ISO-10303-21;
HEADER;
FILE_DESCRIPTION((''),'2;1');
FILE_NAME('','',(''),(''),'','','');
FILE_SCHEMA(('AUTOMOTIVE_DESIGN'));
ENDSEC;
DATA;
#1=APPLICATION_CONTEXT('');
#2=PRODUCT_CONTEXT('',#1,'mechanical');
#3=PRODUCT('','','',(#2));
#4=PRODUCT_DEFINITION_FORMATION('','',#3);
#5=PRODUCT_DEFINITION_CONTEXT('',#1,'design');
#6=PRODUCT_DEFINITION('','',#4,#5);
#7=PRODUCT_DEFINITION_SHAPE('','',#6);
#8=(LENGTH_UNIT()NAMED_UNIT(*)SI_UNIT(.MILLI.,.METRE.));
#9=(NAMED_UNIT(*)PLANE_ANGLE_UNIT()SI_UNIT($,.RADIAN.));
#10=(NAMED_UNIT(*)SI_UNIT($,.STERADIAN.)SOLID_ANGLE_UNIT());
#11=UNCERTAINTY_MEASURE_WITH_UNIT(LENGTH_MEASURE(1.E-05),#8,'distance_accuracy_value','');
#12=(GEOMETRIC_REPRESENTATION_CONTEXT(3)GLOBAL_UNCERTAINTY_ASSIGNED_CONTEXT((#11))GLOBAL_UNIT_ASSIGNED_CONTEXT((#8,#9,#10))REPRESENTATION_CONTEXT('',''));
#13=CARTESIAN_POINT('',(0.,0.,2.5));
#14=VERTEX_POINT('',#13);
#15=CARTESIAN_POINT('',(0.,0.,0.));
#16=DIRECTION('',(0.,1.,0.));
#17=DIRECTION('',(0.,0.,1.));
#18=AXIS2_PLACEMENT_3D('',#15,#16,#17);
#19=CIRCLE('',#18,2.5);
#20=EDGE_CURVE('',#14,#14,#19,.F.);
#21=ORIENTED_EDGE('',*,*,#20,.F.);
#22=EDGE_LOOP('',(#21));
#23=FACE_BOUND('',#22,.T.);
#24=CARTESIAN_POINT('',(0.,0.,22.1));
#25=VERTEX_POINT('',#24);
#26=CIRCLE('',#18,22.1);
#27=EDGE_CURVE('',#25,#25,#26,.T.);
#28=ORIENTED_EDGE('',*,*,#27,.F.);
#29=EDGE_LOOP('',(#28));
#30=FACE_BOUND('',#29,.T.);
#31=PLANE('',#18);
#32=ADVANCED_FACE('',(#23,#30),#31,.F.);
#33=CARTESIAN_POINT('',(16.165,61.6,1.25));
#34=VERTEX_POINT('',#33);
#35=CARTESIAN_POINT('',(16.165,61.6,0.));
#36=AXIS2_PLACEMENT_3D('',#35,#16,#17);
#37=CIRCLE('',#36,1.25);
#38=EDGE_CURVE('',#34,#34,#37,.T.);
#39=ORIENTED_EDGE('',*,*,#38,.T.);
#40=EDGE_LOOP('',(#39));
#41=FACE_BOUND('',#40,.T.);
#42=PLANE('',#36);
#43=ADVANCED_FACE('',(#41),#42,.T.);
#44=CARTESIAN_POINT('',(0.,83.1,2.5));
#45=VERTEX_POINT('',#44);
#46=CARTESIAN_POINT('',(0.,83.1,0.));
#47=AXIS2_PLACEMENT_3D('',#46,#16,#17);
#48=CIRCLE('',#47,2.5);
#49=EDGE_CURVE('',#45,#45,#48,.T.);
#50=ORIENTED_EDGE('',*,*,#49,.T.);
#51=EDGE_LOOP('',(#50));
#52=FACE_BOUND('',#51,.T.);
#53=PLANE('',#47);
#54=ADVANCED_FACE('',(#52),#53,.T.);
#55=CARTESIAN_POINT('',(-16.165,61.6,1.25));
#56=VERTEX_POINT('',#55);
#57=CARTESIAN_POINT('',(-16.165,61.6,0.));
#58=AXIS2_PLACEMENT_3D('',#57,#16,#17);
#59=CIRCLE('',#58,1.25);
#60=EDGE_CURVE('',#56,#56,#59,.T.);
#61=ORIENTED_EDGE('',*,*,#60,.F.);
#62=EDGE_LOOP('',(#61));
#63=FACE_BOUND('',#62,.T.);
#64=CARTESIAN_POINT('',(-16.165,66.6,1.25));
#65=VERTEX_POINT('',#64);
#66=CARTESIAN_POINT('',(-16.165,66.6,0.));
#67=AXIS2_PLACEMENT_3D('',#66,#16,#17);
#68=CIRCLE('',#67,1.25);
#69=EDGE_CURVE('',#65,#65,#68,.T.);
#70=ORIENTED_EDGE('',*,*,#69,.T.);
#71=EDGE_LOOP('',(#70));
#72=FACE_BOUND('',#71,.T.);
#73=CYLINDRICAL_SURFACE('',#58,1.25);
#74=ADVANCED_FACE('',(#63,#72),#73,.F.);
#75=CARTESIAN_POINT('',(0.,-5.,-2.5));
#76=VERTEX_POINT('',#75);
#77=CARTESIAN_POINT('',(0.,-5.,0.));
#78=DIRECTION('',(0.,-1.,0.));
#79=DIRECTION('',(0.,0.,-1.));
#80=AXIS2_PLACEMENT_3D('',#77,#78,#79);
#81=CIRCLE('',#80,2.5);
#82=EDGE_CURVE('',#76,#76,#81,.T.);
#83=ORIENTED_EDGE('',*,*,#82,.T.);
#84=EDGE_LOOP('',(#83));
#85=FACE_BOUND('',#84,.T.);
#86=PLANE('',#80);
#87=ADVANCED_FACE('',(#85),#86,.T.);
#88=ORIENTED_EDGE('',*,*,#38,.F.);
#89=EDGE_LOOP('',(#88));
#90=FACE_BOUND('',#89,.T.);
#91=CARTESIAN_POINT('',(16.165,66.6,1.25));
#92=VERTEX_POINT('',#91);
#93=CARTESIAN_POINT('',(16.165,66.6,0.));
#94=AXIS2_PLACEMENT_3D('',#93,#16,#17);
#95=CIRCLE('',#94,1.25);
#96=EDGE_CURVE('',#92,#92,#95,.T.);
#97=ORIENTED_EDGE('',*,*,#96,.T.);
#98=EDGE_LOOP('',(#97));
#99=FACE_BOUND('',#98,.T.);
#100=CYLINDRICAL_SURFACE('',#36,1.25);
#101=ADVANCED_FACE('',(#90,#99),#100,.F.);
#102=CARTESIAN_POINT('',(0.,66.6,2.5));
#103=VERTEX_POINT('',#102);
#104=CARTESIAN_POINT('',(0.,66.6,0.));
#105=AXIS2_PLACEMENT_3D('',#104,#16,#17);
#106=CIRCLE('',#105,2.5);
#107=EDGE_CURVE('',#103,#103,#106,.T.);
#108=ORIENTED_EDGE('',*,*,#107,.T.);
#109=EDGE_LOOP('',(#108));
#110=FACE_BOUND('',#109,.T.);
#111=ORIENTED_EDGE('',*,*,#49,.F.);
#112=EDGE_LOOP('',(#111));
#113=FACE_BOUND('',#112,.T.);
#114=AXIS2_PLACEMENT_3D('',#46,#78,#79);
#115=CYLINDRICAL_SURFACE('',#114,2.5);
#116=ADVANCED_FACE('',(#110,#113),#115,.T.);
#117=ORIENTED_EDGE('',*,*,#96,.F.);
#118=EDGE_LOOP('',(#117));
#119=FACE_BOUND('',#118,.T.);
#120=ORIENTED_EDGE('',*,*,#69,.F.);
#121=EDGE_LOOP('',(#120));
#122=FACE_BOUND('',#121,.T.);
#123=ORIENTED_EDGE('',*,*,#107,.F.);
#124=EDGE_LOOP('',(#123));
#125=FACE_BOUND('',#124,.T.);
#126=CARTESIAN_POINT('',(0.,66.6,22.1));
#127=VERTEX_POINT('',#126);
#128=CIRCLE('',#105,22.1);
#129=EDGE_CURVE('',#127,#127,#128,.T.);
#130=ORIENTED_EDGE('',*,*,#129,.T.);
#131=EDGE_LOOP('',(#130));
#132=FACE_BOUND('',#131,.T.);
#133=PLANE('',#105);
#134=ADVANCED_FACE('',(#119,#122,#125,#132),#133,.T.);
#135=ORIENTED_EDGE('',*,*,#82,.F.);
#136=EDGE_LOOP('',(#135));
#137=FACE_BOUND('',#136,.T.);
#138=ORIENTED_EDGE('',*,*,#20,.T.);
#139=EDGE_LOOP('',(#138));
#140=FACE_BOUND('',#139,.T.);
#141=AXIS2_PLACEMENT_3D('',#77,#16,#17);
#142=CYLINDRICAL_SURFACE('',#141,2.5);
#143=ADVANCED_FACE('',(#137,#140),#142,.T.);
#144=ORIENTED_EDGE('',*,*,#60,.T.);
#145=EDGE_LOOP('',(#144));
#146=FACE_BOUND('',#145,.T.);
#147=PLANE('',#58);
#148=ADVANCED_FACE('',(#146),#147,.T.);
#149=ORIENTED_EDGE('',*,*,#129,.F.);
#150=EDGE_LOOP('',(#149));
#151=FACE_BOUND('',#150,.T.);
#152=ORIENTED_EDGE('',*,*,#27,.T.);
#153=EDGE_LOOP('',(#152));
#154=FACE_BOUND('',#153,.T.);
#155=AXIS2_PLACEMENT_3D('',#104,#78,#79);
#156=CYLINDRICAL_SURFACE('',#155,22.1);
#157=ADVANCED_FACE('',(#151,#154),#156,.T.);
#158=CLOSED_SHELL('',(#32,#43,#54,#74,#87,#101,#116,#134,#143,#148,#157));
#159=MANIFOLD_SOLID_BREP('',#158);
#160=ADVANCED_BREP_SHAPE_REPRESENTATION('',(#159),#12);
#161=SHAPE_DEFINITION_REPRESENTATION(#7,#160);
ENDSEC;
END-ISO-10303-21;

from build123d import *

# Parameters (mm, degrees)
SKETCH_1_R          = 22.1
EXTRUDE_1_DEPTH     = 66.6
SKETCH_2_R          = 2.5
EXTRUDE_2_DEPTH     = 16.5
EXTRUDE_START       = 5
SKETCH_3_R          = 2.5
EXTRUDE_3_DEPTH     = 5
SKETCH_4_R          = 1.25
CUT_EXTRUDE_1_DEPTH = 5


with BuildPart() as part:
    # 草圖1 → 填料-伸長1 (new body)
    with BuildSketch(Plane(origin=(0, 0, 0), x_dir=(1, 0, 0), z_dir=(0, 1, 0))):
        with Locations(Location((0, 0, 0), (0, 0, 270))):
            Circle(SKETCH_1_R)
    extrude(amount=EXTRUDE_1_DEPTH)

    # 草圖2 → 填料-伸長2 (add)
    with BuildSketch(Plane(origin=(0, 66.6, 0), x_dir=(1, 0, 0), z_dir=(0, 1, 0))):
        with Locations(Location((0, 0, 0), (0, 0, 270))):
            Circle(SKETCH_2_R)
    extrude(amount=EXTRUDE_2_DEPTH)

    # 草圖3 → 填料-伸長3 (add)
    with BuildSketch(Plane.XZ.offset(EXTRUDE_START)):
        with Locations(Location((0, 0, 0), (0, 0, 90))):
            Circle(SKETCH_3_R)
    extrude(amount=-EXTRUDE_3_DEPTH)

    # 草圖4 → 除料-伸長1 (cut)
    with BuildSketch(Plane(origin=(0, 66.6, 0), x_dir=(1, 0, 0), z_dir=(0, 1, 0))):
        with Locations(Location((-16.165, 0, 0), (0, 0, 270))):
            Circle(SKETCH_4_R)
        with Locations(Location((16.165, 0, 0), (0, 0, 270))):
            Circle(SKETCH_4_R)
    extrude(amount=-CUT_EXTRUDE_1_DEPTH, mode=Mode.SUBTRACT)


solid = part.part
